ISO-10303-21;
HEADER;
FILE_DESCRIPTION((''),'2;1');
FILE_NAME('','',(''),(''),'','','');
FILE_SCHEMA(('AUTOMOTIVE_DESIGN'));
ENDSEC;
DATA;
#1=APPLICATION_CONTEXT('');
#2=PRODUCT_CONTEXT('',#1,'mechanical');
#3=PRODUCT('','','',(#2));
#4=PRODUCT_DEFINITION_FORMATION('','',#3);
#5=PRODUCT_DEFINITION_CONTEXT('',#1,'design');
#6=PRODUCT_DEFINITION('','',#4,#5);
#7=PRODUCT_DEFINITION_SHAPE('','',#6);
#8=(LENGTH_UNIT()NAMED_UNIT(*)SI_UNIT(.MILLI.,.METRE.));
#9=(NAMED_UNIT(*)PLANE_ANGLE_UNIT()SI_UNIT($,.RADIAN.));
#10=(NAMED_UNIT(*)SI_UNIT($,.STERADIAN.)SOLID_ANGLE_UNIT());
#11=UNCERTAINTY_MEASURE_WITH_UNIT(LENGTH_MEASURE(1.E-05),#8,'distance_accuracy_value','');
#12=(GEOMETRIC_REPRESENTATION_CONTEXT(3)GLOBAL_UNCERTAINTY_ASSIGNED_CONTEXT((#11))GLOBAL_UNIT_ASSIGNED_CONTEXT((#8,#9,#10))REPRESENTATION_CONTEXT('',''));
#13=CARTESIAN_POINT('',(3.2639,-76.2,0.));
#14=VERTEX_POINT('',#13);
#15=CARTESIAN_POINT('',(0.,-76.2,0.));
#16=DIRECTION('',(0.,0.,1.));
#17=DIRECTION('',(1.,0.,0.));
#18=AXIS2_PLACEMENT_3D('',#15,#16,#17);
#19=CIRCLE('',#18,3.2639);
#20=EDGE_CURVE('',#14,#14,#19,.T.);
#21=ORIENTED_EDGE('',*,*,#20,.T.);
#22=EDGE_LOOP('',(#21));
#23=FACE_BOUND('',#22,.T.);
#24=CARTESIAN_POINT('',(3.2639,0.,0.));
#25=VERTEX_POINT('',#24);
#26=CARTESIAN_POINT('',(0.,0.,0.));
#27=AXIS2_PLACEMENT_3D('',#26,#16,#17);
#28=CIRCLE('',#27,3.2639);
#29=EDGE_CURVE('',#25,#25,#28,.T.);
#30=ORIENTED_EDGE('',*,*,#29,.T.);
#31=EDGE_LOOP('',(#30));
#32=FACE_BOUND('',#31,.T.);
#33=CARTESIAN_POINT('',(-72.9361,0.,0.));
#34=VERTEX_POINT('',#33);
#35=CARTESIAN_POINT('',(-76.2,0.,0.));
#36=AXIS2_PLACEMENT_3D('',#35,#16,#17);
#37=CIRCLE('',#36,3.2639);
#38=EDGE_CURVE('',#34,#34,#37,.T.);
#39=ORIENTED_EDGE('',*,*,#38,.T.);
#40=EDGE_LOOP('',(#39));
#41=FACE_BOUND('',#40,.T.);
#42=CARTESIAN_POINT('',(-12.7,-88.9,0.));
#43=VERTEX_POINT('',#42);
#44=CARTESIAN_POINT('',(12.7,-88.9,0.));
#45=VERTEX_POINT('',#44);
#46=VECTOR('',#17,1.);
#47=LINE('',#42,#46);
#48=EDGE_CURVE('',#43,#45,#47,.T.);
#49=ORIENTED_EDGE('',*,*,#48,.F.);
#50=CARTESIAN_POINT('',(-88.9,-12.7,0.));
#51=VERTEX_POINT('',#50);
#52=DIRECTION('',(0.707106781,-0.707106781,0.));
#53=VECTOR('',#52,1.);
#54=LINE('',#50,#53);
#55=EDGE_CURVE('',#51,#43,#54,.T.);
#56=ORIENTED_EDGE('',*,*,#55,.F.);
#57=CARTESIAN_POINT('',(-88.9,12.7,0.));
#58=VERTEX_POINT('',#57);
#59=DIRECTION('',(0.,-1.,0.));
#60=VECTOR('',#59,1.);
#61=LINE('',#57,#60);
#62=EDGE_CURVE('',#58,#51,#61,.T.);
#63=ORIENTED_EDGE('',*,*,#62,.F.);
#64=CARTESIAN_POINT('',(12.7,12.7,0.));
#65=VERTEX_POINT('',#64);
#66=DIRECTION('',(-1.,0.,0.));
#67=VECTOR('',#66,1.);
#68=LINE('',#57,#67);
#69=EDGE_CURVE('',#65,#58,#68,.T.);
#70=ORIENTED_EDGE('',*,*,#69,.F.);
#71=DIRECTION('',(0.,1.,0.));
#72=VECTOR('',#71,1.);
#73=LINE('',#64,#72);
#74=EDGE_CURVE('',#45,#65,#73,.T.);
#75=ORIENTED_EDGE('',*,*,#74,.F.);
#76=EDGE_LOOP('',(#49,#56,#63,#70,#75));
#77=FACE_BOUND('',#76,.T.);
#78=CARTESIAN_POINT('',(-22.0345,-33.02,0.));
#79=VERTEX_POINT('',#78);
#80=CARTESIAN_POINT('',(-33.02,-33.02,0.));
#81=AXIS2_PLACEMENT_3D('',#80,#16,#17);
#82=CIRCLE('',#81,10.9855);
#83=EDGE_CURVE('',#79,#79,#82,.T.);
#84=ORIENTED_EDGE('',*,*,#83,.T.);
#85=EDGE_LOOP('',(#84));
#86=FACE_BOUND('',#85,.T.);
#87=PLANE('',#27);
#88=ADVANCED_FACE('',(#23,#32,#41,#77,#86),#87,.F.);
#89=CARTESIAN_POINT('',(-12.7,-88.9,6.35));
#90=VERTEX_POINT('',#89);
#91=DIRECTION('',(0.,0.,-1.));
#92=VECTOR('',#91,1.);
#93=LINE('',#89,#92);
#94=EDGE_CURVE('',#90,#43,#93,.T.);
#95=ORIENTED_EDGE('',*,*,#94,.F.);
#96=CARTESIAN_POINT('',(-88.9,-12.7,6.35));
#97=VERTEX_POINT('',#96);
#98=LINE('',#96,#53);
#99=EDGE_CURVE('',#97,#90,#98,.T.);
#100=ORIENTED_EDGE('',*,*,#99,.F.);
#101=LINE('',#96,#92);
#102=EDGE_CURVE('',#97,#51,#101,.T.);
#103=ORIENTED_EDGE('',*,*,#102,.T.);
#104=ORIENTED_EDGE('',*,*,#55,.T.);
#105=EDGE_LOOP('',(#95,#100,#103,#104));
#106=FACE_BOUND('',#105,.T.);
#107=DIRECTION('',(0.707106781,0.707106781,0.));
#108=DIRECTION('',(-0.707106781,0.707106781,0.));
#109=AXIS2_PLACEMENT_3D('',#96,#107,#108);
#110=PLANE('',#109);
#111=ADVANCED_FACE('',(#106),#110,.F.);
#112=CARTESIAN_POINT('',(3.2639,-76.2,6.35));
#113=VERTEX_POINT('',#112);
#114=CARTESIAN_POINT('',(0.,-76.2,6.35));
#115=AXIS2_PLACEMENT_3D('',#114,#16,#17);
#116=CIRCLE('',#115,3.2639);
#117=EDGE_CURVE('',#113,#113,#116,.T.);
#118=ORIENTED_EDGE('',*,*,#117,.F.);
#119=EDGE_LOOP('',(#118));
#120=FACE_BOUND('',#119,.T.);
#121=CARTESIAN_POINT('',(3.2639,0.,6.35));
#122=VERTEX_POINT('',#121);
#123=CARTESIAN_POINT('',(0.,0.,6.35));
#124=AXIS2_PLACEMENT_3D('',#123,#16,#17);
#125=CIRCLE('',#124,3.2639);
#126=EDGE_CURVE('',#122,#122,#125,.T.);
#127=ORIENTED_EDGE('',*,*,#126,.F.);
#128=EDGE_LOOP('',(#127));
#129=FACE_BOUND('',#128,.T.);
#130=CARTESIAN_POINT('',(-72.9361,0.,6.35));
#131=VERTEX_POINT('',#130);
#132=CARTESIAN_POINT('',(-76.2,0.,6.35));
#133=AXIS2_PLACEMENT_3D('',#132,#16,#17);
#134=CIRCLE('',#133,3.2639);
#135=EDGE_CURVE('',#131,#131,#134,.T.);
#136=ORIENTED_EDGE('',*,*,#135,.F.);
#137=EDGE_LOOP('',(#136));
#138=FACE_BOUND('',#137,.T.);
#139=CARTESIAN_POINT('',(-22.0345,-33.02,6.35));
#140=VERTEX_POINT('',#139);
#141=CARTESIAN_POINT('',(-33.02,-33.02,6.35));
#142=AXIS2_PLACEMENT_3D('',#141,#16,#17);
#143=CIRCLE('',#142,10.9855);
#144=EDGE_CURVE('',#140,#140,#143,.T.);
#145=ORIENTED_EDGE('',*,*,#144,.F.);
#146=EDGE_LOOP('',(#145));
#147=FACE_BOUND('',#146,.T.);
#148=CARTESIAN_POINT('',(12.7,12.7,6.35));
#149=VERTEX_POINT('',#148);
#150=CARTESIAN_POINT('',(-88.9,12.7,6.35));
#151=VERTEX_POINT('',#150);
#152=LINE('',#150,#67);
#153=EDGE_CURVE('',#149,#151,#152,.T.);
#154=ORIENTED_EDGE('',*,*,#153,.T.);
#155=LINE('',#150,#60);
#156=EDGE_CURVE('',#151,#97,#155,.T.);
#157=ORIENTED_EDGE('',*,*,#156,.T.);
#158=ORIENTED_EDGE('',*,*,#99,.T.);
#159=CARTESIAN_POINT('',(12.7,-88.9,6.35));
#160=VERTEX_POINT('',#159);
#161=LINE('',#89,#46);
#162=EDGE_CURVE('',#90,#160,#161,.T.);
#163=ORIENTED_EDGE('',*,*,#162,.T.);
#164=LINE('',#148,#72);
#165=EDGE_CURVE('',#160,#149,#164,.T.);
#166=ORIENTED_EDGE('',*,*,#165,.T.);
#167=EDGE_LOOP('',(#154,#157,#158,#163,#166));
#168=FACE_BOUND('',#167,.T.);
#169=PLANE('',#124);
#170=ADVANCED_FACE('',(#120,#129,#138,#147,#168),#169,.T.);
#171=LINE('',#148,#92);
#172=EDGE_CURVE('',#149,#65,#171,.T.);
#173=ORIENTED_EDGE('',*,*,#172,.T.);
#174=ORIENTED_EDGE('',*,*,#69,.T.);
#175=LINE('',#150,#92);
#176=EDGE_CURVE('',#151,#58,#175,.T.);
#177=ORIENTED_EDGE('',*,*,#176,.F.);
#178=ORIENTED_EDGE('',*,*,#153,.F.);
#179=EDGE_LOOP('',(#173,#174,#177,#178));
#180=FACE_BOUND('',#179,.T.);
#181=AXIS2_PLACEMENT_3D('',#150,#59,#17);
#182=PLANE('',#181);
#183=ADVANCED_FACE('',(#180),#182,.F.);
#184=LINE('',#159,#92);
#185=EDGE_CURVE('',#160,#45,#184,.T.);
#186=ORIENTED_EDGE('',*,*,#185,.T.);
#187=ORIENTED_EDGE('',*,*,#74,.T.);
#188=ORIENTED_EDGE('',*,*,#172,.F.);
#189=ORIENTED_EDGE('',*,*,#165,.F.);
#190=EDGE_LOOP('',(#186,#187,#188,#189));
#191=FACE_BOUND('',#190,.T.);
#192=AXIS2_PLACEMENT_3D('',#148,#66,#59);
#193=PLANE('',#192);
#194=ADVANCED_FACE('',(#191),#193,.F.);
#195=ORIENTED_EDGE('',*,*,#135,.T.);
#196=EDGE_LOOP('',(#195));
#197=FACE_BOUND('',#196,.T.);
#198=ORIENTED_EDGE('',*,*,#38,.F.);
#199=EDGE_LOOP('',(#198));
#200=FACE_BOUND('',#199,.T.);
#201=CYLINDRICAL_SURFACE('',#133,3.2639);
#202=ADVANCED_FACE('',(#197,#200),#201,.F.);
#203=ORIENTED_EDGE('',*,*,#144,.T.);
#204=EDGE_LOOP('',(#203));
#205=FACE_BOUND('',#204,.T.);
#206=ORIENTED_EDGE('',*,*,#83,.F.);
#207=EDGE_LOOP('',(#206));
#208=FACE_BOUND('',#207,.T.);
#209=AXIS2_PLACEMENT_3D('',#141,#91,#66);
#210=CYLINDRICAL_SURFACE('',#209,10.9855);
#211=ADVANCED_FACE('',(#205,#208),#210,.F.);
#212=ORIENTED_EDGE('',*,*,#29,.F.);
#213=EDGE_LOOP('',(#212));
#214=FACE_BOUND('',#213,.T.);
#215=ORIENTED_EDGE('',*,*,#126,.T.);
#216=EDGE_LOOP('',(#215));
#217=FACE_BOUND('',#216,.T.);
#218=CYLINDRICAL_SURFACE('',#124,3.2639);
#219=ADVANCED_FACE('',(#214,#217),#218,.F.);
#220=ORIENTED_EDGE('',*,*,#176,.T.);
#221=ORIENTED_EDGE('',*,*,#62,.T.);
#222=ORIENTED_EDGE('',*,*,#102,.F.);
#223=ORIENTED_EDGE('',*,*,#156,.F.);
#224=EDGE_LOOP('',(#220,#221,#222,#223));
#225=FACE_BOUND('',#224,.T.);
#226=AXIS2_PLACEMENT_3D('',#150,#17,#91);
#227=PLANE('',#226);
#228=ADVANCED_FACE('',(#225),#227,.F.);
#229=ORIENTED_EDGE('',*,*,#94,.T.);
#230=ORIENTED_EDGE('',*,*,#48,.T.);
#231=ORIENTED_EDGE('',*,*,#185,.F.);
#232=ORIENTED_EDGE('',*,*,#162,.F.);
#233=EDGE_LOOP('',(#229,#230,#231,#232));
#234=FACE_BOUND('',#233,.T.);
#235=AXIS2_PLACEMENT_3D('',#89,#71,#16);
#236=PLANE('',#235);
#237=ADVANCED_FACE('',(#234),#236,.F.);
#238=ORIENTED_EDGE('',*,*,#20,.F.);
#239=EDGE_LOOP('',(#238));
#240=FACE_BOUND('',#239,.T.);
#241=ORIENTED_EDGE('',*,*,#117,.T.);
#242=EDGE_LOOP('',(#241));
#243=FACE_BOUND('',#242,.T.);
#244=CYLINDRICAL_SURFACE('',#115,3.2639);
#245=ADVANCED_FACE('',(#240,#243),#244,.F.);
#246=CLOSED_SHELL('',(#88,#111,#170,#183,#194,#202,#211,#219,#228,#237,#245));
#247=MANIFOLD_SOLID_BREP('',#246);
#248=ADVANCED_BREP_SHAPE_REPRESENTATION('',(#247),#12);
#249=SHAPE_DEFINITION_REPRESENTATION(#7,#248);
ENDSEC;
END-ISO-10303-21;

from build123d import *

# Parameters (mm, degrees)
SKETCH1_R               = 10.9855
BOSS_EXTRUDE1_DEPTH     = 6.35
F_1_4_CLEARANCE_HOLE1_D = 6.5278


with BuildPart() as part:
    # Sketch1 → Boss-Extrude1 (new body)
    with BuildSketch(Plane.XY):
        Polygon((-88.9, 12.7), (-88.9, -12.7), (-12.7, -88.9), (12.7, -88.9), (12.7, 12.7), align=None)
        with Locations((-33.02, -33.02)):
            Circle(SKETCH1_R, mode=Mode.SUBTRACT)
    extrude(amount=BOSS_EXTRUDE1_DEPTH)

    # 1/4 Clearance Hole1 (through all)
    with Locations(Plane.XY.offset(6.35)):
        with Locations((0, 0), (-76.2, 0), (0, -76.2)):
            Hole(F_1_4_CLEARANCE_HOLE1_D / 2)


solid = part.part
